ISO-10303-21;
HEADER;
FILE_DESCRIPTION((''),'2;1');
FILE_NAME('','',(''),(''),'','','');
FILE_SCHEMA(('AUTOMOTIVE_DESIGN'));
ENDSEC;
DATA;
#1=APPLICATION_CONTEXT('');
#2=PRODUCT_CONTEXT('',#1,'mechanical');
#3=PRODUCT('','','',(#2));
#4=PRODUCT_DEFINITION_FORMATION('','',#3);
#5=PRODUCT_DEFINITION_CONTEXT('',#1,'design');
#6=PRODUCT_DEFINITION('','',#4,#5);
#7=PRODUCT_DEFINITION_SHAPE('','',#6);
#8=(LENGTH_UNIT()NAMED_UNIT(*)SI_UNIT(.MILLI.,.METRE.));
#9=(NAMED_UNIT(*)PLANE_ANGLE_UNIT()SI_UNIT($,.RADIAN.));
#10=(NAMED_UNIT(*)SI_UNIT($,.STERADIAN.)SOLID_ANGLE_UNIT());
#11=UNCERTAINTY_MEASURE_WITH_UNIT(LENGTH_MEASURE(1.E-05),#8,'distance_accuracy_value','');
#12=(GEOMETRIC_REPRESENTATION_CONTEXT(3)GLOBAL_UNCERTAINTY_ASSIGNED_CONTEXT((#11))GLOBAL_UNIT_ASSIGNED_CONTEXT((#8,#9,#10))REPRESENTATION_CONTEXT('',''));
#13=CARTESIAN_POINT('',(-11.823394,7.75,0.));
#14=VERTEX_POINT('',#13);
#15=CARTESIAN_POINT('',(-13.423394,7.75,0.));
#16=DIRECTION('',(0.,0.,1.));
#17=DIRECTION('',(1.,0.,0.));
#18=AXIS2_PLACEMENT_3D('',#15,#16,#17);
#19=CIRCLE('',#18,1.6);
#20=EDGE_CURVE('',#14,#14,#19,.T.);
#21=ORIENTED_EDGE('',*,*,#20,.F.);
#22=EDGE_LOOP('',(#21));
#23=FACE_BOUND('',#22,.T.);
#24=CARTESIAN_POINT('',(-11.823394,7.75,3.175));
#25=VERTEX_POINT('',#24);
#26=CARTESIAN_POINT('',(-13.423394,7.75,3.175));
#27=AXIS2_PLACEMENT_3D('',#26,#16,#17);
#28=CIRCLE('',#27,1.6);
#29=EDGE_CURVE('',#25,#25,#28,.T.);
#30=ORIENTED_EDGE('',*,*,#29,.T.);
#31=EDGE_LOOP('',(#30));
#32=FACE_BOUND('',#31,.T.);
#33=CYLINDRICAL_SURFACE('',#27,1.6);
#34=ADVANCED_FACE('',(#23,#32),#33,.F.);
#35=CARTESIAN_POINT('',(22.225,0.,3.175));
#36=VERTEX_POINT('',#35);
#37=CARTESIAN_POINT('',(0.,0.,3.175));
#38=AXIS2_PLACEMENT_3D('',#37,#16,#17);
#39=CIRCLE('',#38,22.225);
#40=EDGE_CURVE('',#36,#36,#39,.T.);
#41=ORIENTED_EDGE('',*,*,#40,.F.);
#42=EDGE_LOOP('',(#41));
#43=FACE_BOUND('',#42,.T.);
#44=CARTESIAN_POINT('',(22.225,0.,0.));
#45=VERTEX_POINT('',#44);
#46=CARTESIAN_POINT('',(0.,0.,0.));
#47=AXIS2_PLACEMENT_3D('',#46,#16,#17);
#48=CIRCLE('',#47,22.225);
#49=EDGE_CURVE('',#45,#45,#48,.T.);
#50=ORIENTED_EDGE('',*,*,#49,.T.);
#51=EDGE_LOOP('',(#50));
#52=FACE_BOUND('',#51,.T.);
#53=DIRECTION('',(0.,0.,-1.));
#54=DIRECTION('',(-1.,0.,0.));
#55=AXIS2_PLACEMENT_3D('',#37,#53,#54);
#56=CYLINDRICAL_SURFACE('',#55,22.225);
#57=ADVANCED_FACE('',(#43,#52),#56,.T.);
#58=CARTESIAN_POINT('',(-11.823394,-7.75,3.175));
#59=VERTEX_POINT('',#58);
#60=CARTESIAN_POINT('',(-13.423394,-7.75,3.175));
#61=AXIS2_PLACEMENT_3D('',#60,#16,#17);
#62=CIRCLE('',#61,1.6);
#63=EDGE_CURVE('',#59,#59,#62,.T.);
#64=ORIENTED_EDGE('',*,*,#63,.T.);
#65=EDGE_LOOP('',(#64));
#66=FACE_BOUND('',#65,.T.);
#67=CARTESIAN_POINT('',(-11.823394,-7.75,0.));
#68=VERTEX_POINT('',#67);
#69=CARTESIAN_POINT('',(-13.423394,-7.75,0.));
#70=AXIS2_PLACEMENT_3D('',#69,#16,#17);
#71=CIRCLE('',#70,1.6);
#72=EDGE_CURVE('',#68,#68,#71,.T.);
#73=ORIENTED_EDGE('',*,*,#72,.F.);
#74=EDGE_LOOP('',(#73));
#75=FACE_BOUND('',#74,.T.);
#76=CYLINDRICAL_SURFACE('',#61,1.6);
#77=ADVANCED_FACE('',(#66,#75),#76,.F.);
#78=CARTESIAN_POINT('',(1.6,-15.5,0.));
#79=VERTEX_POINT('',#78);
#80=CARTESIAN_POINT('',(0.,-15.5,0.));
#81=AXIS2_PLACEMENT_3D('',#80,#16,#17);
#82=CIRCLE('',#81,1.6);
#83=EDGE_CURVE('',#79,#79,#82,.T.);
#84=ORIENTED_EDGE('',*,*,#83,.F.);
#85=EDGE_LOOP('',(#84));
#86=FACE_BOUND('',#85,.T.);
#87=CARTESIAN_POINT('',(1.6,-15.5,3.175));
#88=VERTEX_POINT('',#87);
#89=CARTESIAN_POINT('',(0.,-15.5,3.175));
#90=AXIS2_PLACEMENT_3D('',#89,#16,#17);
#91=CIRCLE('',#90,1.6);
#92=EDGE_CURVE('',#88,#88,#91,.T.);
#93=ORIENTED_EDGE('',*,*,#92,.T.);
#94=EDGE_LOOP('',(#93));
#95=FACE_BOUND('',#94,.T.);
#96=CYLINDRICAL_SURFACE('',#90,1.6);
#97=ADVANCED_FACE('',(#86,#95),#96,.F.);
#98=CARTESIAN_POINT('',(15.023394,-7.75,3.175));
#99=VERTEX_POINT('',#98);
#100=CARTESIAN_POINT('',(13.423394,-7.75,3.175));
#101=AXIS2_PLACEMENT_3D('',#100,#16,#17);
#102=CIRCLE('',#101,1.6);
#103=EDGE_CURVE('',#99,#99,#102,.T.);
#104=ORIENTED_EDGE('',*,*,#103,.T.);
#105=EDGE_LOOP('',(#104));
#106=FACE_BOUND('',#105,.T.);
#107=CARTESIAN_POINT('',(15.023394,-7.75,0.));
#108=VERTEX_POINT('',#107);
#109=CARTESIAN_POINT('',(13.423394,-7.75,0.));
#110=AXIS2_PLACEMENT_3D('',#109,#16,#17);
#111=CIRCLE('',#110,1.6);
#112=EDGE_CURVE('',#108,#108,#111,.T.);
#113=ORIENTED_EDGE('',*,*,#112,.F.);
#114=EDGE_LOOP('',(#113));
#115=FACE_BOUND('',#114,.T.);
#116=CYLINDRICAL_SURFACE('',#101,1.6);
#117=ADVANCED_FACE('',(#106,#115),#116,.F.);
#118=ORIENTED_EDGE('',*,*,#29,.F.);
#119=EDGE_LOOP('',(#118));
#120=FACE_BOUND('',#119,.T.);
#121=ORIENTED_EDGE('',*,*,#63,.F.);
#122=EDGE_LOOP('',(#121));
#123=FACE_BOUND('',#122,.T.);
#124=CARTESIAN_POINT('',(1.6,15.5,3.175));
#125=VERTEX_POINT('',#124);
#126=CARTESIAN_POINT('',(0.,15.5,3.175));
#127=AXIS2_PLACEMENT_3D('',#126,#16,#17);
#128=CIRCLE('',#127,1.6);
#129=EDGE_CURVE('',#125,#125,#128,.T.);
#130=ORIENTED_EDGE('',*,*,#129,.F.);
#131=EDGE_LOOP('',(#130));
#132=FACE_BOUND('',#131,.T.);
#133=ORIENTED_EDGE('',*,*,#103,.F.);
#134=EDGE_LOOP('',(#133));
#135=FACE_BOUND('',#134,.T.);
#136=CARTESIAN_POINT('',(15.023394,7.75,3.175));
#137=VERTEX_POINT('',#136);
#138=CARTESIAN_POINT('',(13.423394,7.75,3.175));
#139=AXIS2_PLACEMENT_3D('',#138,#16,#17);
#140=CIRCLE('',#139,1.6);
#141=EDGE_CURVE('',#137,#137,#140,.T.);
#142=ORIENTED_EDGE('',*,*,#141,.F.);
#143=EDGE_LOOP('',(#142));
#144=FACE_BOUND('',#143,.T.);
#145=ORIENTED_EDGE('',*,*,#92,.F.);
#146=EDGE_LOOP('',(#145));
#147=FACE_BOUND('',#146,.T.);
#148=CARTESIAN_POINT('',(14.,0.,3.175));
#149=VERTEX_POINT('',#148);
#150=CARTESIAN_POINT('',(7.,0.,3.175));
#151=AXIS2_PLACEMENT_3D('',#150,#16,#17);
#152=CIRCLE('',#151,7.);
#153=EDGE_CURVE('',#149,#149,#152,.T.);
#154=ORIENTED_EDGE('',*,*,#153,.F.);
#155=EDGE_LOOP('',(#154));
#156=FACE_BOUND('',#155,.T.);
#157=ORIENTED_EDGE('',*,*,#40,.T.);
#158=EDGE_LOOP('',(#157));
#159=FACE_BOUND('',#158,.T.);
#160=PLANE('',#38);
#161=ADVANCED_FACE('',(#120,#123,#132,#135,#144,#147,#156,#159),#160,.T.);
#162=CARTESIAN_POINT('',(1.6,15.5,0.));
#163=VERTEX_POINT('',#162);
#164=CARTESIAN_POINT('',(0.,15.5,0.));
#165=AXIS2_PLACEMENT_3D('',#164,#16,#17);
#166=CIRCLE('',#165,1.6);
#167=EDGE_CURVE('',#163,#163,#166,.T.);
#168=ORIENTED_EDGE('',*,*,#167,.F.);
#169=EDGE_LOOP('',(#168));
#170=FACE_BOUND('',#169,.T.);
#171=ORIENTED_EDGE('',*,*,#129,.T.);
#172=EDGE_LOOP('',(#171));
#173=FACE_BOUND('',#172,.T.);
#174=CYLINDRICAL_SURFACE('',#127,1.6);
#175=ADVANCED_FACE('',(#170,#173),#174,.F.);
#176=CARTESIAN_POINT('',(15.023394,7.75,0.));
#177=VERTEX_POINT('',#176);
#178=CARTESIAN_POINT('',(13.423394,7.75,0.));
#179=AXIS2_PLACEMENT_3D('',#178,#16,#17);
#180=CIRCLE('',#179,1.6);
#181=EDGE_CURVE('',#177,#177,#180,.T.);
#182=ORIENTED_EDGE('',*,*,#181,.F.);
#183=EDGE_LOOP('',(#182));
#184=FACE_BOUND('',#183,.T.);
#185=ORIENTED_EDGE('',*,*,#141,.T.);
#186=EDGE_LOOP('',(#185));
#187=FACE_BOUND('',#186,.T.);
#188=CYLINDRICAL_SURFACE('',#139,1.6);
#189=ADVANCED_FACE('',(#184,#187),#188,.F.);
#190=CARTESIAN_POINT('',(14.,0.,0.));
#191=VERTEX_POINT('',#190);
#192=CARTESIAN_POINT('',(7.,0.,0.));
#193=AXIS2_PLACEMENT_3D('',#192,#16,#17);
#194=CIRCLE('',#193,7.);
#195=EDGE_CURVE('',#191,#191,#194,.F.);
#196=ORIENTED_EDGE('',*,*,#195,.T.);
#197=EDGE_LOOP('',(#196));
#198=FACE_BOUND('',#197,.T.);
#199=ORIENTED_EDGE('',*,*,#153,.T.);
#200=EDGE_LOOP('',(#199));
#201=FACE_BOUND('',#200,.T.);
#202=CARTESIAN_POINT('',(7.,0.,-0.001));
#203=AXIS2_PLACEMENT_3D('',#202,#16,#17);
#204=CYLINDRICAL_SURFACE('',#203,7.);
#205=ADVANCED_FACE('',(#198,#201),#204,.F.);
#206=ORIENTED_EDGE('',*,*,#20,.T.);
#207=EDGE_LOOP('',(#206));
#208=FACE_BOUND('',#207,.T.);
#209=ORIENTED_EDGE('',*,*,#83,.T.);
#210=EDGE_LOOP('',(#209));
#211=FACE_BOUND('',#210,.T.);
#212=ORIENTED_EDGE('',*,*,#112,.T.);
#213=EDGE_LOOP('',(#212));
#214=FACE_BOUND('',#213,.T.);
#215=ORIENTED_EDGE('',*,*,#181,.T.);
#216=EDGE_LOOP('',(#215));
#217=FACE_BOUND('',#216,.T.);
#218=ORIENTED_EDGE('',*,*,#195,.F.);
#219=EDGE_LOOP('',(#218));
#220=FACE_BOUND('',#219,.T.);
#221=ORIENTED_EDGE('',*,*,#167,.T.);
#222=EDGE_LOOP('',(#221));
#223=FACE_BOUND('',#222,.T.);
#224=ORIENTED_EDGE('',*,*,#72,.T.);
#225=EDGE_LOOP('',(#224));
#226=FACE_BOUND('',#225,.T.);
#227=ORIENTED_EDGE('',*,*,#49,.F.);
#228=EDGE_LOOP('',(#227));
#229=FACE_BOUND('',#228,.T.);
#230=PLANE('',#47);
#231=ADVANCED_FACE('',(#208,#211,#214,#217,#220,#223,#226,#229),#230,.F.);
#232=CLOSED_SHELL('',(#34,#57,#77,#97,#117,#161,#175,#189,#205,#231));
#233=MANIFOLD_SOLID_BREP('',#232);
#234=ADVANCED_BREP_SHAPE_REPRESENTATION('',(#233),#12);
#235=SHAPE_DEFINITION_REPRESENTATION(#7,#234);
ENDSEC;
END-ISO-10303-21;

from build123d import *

# Parameters (mm, degrees)
SKETCH1_R                = 22.225
BOSS_EXTRUDE1_DEPTH      = 3.175
M3_CLEARANCE_HOLE1_D     = 3.2
M3_CLEARANCE_HOLE1_DEPTH = 3.175
CUT_EXTRUDE1_REACH       = 5.175
SKETCH4_R                = 7


with BuildPart() as part:
    # Sketch1 → Boss-Extrude1 (new body)
    with BuildSketch(Plane.XY):
        Circle(SKETCH1_R)
    extrude(amount=BOSS_EXTRUDE1_DEPTH)

    # M3 Clearance Hole1
    with Locations(Plane.XY.offset(3.175)):
        with Locations((-13.423393759, 7.75), (0, 15.5), (13.423393759, 7.75), (13.423393759, -7.75), (0, -15.5), (-13.423393759, -7.75)):
            Hole(M3_CLEARANCE_HOLE1_D / 2, depth=M3_CLEARANCE_HOLE1_DEPTH)

    # Sketch4 → Cut-Extrude1 (cut, up to next)
    with BuildSketch(Plane.XY.offset(3.175), mode=Mode.PRIVATE) as cut_extrude1_sk1:
        with Locations((7, 0)):
            Circle(SKETCH4_R)
    cut_extrude1_tool1 = extrude(cut_extrude1_sk1.sketch, amount=-CUT_EXTRUDE1_REACH, mode=Mode.PRIVATE) & part.part
    add(cut_extrude1_tool1.solids().sort_by_distance((7, 0, 3.175))[0], mode=Mode.SUBTRACT)


solid = part.part
